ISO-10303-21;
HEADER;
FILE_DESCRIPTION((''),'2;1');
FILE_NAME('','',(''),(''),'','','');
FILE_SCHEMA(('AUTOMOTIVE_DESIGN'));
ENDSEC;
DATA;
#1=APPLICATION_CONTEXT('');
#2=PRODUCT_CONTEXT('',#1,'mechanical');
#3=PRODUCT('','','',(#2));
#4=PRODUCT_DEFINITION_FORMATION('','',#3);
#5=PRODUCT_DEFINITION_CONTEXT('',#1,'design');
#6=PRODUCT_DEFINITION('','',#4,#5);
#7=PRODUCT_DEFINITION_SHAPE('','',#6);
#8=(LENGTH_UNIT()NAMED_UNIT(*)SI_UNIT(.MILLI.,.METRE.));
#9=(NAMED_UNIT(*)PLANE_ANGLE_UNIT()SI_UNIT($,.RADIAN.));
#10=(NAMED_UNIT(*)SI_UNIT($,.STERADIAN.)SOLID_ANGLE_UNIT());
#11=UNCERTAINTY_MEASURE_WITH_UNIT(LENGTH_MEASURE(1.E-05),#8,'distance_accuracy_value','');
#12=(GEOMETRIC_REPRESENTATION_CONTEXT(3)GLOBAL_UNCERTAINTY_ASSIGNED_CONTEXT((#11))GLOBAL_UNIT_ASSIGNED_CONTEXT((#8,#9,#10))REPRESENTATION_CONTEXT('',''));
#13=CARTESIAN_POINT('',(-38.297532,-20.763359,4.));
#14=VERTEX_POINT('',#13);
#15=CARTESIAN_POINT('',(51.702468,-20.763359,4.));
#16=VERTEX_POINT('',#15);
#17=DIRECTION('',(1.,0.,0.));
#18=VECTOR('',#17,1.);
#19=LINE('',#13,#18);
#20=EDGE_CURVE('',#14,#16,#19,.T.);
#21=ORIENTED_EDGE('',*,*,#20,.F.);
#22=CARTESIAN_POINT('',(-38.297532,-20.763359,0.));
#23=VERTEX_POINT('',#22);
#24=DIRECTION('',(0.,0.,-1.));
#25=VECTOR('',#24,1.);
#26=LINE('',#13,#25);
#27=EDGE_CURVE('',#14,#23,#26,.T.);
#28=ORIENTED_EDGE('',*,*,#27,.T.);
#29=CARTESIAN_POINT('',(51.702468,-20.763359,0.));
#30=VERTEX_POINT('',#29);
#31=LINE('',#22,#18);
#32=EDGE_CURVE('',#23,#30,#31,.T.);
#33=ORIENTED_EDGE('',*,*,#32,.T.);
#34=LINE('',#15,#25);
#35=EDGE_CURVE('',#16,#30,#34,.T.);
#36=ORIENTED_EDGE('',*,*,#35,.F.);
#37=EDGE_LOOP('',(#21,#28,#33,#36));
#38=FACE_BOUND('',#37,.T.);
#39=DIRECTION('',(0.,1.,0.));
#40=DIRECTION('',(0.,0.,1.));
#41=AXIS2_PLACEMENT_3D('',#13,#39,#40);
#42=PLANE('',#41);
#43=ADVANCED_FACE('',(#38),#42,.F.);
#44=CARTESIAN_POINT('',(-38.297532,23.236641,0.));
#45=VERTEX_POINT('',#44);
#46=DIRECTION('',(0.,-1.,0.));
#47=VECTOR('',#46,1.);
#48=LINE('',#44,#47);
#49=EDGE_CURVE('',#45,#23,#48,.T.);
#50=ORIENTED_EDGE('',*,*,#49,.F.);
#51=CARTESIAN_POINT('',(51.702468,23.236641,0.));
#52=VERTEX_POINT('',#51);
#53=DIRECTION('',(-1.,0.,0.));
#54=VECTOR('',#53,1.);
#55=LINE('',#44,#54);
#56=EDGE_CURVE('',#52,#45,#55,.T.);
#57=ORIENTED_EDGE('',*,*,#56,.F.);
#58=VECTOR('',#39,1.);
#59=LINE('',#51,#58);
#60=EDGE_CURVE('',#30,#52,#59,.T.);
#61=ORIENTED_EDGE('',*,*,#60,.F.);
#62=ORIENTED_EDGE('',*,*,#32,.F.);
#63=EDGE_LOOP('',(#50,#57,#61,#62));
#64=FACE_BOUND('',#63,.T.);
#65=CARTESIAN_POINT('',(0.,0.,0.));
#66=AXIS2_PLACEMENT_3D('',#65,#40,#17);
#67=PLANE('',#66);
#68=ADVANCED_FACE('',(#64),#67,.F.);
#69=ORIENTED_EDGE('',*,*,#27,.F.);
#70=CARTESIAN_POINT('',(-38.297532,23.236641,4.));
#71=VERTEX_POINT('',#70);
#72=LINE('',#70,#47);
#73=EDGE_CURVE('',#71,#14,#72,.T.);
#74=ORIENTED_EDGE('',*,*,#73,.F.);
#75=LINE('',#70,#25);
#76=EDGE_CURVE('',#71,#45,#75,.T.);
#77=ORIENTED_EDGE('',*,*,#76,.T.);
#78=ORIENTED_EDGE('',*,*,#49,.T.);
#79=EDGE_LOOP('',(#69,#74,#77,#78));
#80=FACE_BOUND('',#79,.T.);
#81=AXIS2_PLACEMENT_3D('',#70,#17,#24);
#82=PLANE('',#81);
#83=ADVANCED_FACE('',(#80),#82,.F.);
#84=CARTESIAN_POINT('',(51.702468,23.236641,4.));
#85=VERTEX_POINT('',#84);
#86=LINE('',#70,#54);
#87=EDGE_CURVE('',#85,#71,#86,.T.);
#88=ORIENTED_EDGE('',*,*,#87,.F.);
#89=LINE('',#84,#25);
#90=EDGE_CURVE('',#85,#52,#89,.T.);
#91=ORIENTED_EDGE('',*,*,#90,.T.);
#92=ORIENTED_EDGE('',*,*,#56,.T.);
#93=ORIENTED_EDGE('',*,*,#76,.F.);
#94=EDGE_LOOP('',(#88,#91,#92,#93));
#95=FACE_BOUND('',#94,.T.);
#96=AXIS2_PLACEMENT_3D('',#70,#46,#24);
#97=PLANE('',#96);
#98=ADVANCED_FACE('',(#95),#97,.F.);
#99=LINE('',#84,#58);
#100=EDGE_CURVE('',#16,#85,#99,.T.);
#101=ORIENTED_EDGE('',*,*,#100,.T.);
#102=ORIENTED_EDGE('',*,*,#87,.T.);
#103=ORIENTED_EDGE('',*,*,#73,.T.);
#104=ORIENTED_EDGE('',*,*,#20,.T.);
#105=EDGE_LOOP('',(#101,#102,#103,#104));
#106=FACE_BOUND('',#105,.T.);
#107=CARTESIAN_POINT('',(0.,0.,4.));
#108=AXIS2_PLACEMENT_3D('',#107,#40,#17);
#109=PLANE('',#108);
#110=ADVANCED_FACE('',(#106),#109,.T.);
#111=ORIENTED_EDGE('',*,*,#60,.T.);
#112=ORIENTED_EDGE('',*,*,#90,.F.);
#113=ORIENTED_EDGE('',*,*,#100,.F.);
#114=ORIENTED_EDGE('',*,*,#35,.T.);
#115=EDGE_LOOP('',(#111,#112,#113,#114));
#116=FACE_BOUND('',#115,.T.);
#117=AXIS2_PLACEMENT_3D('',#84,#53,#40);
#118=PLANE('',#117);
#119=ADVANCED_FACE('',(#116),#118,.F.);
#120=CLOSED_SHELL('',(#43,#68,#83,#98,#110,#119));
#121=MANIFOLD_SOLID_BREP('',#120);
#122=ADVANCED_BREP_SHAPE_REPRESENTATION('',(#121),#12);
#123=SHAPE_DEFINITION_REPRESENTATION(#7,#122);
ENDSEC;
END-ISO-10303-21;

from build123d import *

# Parameters (mm, degrees)
SKETCH_1_W      = 90
SKETCH_1_H      = 44
EXTRUDE_1_DEPTH = 4


with BuildPart() as part:
    # ｽｹｯﾁ1 → ﾎﾞｽ - 押し出し1 (new body)
    with BuildSketch(Plane.XY):
        with Locations((6.702467602, 1.236641221)):
            Rectangle(SKETCH_1_W, SKETCH_1_H)
    extrude(amount=EXTRUDE_1_DEPTH)


solid = part.part
